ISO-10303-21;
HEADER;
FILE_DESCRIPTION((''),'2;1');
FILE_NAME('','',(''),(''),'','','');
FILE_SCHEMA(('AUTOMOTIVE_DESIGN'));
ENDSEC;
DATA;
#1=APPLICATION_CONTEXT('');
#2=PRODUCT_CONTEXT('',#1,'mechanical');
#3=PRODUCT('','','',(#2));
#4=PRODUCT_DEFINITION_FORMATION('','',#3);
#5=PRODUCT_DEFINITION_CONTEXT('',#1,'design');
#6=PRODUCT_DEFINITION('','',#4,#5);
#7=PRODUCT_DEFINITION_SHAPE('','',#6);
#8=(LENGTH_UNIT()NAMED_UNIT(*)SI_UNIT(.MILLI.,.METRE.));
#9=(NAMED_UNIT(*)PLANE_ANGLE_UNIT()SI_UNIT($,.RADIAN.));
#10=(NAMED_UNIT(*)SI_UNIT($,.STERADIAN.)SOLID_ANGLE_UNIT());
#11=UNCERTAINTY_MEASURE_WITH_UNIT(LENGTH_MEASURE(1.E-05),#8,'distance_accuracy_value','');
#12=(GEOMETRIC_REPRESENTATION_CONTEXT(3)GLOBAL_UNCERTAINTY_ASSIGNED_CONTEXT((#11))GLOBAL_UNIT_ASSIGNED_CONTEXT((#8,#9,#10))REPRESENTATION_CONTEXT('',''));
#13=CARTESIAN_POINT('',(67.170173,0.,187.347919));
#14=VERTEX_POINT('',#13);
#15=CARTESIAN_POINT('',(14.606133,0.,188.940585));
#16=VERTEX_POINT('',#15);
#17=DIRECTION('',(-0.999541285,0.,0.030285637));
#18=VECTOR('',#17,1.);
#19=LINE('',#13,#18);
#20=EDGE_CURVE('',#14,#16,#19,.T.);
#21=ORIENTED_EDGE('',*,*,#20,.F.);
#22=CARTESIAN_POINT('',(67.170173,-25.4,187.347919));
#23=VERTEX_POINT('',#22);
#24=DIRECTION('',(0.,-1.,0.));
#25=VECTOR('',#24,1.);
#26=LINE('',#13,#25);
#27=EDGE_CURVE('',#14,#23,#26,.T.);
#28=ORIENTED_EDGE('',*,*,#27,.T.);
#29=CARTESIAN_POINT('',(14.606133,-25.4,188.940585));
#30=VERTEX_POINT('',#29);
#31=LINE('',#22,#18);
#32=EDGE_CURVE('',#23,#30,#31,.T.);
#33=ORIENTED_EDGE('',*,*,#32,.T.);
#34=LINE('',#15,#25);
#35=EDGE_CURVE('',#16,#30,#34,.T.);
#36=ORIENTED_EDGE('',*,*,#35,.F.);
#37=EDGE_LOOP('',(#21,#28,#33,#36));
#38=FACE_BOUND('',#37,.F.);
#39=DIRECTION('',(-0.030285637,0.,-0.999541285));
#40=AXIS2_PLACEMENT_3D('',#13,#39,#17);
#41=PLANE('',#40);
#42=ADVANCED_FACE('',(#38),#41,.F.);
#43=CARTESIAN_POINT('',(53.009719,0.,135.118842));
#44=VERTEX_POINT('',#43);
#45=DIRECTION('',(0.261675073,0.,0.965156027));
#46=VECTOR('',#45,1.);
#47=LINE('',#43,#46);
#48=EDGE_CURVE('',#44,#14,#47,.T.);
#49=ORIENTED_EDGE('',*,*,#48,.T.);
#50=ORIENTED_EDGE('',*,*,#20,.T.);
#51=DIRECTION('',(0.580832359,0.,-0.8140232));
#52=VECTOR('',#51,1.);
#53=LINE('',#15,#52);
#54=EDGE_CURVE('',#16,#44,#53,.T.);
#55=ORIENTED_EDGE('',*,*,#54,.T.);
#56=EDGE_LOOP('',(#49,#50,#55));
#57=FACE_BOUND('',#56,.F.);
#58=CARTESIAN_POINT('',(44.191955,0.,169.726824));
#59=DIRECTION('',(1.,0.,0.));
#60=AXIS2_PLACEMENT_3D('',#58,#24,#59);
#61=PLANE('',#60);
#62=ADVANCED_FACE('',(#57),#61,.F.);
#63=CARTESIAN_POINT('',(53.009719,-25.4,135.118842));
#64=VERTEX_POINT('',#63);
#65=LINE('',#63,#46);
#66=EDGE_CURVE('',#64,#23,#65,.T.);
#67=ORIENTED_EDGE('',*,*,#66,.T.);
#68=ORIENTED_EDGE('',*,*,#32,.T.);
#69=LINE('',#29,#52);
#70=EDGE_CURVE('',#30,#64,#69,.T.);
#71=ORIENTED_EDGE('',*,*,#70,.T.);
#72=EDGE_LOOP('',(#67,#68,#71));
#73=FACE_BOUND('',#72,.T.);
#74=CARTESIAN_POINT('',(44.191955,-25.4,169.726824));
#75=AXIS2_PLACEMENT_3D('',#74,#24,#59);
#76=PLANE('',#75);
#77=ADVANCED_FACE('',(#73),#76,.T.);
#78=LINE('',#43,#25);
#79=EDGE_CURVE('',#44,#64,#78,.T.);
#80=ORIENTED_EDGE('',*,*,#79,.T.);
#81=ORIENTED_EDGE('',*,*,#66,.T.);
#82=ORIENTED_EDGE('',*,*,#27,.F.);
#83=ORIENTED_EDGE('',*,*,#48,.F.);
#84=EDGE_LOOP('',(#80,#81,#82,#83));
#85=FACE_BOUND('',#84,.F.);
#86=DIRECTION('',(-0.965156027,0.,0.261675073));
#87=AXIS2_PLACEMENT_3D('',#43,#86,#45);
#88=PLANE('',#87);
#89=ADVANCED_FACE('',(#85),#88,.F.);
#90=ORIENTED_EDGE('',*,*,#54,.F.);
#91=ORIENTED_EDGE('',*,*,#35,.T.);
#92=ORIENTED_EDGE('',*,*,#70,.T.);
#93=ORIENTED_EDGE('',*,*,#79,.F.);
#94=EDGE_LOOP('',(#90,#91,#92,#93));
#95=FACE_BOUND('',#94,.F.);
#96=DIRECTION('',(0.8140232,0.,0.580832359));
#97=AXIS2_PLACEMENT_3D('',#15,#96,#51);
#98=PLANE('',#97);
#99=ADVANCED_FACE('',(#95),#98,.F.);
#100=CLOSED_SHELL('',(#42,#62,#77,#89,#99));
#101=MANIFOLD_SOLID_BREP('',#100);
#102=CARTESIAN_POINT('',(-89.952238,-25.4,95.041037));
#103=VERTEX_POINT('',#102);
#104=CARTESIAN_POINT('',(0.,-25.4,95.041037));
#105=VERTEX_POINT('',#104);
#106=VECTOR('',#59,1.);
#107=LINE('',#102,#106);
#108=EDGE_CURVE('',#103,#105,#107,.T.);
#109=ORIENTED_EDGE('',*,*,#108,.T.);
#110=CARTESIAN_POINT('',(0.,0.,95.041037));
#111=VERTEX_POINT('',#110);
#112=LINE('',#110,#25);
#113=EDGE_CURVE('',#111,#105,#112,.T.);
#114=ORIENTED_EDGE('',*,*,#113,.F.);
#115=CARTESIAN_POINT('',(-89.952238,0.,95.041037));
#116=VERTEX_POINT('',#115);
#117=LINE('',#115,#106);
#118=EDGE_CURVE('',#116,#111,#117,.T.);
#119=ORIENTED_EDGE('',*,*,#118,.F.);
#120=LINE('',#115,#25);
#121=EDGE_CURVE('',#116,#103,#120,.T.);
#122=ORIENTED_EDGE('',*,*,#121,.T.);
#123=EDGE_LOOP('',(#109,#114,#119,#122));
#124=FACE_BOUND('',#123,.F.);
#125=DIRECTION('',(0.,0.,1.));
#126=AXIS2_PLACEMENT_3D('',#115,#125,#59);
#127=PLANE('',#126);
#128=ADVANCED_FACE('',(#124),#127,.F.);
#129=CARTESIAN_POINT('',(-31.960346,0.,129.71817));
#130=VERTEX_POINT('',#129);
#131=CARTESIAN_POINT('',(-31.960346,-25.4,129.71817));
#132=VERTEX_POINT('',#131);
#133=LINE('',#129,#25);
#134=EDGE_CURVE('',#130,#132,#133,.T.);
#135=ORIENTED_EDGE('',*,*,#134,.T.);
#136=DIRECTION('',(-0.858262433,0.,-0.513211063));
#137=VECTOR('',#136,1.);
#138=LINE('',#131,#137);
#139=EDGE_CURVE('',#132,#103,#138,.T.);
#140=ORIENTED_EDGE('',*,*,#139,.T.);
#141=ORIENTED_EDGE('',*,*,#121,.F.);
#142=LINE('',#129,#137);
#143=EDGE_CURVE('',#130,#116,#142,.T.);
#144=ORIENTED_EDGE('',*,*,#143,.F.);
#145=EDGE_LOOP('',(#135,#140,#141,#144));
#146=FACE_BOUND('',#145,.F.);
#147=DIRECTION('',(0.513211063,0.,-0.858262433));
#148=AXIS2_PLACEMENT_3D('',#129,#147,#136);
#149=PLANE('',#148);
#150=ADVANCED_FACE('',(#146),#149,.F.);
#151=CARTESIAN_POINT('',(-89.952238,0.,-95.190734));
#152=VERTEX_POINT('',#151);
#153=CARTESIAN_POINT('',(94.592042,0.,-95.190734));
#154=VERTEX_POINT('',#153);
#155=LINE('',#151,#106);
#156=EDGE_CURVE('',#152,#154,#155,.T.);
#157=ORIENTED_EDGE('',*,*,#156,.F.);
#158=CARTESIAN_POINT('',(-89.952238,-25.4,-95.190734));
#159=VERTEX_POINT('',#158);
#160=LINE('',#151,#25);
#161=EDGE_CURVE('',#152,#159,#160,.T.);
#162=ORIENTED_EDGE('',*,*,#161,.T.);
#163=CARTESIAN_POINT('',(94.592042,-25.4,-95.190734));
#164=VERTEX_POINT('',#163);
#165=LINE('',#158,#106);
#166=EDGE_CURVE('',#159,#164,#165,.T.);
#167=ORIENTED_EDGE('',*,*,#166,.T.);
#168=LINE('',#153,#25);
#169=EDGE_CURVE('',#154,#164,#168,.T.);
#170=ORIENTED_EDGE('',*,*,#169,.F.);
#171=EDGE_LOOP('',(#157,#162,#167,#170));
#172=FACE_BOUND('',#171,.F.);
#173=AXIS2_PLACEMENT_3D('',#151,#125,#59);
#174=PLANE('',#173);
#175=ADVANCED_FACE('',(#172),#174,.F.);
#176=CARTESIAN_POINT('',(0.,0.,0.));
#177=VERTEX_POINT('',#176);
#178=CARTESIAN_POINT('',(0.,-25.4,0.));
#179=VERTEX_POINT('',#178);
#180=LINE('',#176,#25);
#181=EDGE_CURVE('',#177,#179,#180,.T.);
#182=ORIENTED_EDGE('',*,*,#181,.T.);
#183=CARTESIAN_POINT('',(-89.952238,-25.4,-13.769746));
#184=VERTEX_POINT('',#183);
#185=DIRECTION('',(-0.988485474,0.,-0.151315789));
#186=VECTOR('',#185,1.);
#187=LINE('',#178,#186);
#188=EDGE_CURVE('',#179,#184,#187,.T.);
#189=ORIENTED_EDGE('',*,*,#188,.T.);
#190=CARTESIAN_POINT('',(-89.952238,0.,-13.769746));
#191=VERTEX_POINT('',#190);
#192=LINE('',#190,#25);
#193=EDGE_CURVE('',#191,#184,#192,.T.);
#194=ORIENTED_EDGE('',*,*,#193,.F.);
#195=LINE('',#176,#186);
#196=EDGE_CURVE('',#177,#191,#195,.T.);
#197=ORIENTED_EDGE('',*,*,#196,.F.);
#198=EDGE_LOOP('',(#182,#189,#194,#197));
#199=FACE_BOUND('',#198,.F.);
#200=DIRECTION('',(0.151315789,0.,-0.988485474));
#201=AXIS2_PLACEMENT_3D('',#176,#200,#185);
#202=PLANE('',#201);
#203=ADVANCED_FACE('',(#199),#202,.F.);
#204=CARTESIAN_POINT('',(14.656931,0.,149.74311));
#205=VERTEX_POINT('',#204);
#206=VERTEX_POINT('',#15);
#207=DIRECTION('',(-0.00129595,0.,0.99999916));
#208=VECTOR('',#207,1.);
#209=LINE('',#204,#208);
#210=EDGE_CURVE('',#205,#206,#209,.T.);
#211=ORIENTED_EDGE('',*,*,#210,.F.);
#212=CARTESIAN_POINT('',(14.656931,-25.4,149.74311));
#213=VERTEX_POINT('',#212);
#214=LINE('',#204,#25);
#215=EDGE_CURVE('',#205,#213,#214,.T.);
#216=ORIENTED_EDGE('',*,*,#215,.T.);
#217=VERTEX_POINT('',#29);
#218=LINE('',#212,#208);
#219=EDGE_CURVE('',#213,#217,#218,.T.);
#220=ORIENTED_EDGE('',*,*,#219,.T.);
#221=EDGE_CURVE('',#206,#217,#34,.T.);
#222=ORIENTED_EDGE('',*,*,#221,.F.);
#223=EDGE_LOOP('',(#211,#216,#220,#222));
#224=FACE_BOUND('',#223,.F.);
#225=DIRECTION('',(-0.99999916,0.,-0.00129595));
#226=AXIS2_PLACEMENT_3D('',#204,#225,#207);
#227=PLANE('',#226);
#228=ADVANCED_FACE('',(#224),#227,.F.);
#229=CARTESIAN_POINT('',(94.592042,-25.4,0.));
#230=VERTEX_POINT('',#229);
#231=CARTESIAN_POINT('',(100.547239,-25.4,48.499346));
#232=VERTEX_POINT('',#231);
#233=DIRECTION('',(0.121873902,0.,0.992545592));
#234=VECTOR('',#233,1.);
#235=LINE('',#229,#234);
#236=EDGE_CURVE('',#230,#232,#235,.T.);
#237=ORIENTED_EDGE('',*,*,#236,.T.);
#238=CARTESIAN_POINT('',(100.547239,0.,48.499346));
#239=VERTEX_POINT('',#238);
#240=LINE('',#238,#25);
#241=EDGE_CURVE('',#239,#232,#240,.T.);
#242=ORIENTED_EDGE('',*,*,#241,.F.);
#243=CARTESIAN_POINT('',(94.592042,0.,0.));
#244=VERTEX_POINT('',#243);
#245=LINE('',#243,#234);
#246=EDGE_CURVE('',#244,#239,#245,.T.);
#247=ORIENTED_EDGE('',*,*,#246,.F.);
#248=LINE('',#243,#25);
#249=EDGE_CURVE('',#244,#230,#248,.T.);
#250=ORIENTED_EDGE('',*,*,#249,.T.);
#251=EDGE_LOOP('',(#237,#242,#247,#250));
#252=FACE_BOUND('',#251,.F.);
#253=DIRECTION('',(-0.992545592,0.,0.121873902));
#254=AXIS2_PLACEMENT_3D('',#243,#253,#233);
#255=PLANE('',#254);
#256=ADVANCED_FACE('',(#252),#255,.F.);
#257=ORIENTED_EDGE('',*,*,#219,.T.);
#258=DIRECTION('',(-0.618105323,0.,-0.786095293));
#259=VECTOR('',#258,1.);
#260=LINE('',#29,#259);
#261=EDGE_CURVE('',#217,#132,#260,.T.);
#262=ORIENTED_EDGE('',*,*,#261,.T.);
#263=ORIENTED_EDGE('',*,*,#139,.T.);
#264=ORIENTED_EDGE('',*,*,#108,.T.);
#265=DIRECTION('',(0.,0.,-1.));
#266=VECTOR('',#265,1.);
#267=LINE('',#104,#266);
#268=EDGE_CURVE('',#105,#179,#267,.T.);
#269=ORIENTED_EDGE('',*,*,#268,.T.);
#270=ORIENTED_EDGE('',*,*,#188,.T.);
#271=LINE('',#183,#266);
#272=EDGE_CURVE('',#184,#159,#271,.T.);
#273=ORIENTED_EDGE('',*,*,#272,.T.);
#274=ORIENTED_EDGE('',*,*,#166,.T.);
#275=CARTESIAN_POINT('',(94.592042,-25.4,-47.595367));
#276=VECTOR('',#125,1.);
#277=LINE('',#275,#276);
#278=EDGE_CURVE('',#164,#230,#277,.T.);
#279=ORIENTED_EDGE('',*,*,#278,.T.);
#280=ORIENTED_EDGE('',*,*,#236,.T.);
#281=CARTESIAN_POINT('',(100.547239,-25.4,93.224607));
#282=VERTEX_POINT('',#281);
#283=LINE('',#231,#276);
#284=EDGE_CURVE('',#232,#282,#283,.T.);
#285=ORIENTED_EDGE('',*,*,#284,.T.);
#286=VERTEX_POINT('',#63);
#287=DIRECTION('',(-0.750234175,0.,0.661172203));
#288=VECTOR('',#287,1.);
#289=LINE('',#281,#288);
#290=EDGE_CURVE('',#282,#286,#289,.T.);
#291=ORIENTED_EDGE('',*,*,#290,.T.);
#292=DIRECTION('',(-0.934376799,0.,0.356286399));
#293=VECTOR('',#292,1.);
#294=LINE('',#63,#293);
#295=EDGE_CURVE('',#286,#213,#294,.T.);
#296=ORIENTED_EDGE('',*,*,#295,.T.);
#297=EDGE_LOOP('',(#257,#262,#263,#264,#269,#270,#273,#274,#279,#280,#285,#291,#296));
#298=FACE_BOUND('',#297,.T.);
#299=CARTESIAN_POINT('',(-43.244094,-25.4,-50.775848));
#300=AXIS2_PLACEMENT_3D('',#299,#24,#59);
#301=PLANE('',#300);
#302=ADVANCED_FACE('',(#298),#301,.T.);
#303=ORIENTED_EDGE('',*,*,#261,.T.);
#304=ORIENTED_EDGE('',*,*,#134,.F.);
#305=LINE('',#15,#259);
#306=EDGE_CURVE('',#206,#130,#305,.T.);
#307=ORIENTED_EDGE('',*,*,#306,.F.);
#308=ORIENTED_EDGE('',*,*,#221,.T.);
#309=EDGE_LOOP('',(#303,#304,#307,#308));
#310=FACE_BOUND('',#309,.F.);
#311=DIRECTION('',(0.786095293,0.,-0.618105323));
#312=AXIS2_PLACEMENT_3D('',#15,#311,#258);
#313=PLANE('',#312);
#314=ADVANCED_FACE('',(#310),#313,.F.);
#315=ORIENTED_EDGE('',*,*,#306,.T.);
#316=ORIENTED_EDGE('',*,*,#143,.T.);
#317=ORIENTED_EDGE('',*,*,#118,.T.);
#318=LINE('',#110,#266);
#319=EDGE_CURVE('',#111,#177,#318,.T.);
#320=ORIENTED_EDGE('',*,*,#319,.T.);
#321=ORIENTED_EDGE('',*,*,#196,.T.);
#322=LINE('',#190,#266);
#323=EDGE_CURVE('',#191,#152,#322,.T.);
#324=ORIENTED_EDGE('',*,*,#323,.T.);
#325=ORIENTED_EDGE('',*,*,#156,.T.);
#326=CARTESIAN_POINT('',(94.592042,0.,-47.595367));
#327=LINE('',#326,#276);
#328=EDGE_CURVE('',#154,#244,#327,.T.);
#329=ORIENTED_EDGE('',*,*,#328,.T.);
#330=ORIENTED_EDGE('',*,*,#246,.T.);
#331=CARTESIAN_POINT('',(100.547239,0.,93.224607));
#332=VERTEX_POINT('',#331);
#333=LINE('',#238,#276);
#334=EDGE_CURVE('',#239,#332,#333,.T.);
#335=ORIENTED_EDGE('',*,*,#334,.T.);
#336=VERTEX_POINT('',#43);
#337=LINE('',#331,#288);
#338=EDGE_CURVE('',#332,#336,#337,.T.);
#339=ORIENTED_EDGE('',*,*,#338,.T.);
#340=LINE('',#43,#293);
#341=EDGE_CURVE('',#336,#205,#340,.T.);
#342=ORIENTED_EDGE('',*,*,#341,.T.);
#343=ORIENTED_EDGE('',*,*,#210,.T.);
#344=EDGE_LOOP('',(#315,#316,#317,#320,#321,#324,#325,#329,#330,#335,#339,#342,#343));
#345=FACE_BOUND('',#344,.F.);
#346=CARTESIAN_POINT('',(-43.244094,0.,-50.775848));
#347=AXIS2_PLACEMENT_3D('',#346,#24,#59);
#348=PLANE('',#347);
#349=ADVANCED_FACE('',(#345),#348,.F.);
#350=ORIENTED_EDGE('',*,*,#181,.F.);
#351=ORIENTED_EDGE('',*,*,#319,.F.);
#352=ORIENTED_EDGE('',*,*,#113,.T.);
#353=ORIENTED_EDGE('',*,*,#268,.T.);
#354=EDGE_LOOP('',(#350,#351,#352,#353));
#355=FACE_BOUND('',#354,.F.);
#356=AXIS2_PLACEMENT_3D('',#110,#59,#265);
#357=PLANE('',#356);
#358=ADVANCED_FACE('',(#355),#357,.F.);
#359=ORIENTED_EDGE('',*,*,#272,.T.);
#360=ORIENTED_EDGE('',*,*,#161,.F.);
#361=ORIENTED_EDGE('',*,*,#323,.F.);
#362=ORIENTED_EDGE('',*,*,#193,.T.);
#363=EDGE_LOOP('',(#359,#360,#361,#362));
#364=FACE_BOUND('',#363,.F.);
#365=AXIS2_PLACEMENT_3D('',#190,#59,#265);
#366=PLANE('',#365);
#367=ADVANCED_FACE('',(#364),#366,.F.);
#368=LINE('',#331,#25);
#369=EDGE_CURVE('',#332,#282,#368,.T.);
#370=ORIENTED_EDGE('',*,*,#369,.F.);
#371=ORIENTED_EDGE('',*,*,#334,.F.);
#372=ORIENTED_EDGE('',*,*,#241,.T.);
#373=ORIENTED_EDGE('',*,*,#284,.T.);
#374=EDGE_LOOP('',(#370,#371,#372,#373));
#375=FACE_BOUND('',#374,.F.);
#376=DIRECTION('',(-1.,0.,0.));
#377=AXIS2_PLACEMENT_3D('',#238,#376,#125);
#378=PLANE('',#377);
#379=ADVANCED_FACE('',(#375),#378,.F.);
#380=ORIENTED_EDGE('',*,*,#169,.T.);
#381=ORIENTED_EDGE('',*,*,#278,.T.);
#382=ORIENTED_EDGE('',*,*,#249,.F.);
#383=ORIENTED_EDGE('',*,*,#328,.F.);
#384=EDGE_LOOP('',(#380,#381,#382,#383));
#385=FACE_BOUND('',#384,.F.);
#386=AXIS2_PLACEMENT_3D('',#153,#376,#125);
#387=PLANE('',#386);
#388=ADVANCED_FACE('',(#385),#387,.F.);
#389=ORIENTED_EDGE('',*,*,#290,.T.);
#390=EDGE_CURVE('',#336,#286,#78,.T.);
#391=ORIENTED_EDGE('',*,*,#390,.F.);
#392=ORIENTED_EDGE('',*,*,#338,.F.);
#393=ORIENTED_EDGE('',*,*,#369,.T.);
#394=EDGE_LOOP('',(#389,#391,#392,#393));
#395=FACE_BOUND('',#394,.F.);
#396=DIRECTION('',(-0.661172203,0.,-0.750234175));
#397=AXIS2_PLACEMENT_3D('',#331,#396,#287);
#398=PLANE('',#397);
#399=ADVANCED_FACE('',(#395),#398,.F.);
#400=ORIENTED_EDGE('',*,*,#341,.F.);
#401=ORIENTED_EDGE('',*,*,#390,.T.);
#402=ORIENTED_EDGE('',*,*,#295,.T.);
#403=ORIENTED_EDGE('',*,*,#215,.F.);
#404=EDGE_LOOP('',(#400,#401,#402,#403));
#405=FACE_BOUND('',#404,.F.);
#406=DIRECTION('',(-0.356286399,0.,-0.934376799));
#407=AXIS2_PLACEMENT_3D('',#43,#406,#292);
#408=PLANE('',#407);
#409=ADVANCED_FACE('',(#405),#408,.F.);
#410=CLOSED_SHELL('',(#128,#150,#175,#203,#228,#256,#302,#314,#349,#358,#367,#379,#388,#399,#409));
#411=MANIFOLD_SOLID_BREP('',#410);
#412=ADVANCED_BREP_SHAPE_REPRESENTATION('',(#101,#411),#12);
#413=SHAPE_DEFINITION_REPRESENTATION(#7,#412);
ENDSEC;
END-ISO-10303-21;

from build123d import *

# Parameters (mm, degrees)
F0_W     = 94.592042
F0_H     = 95.190734
F1_DEPTH = 25.4


with BuildPart() as f1:
    # F0 (on Front) → F1 (new body)
    with BuildSketch(Plane.XZ):
        Polygon((0, -95.190734), (0, 0), (-89.952238, -13.769746), (-89.952238, -95.190734), align=None)
        Polygon((-89.952238, 95.041037), (0, 95.041037), (53.13319, 95.041037), (81.856087, 93.224607), (100.547239, 93.224607), (53.009719, 135.118842), (14.656931, 149.74311), (14.606133, 188.940585), (-31.960346, 129.71817), align=None)
        Polygon((14.606133, 188.940585), (53.009719, 135.118842), (67.170173, 187.347919), align=None)
        with Locations((47.296021, -47.595367)):
            Rectangle(F0_W, F0_H)
        Polygon((0, 95.041037), (0, 0), (94.592042, 0), (100.547239, 48.499346), (100.547239, 93.224607), (81.856087, 93.224607), (53.13319, 95.041037), align=None)
    extrude(amount=F1_DEPTH)


solid = f1.part
